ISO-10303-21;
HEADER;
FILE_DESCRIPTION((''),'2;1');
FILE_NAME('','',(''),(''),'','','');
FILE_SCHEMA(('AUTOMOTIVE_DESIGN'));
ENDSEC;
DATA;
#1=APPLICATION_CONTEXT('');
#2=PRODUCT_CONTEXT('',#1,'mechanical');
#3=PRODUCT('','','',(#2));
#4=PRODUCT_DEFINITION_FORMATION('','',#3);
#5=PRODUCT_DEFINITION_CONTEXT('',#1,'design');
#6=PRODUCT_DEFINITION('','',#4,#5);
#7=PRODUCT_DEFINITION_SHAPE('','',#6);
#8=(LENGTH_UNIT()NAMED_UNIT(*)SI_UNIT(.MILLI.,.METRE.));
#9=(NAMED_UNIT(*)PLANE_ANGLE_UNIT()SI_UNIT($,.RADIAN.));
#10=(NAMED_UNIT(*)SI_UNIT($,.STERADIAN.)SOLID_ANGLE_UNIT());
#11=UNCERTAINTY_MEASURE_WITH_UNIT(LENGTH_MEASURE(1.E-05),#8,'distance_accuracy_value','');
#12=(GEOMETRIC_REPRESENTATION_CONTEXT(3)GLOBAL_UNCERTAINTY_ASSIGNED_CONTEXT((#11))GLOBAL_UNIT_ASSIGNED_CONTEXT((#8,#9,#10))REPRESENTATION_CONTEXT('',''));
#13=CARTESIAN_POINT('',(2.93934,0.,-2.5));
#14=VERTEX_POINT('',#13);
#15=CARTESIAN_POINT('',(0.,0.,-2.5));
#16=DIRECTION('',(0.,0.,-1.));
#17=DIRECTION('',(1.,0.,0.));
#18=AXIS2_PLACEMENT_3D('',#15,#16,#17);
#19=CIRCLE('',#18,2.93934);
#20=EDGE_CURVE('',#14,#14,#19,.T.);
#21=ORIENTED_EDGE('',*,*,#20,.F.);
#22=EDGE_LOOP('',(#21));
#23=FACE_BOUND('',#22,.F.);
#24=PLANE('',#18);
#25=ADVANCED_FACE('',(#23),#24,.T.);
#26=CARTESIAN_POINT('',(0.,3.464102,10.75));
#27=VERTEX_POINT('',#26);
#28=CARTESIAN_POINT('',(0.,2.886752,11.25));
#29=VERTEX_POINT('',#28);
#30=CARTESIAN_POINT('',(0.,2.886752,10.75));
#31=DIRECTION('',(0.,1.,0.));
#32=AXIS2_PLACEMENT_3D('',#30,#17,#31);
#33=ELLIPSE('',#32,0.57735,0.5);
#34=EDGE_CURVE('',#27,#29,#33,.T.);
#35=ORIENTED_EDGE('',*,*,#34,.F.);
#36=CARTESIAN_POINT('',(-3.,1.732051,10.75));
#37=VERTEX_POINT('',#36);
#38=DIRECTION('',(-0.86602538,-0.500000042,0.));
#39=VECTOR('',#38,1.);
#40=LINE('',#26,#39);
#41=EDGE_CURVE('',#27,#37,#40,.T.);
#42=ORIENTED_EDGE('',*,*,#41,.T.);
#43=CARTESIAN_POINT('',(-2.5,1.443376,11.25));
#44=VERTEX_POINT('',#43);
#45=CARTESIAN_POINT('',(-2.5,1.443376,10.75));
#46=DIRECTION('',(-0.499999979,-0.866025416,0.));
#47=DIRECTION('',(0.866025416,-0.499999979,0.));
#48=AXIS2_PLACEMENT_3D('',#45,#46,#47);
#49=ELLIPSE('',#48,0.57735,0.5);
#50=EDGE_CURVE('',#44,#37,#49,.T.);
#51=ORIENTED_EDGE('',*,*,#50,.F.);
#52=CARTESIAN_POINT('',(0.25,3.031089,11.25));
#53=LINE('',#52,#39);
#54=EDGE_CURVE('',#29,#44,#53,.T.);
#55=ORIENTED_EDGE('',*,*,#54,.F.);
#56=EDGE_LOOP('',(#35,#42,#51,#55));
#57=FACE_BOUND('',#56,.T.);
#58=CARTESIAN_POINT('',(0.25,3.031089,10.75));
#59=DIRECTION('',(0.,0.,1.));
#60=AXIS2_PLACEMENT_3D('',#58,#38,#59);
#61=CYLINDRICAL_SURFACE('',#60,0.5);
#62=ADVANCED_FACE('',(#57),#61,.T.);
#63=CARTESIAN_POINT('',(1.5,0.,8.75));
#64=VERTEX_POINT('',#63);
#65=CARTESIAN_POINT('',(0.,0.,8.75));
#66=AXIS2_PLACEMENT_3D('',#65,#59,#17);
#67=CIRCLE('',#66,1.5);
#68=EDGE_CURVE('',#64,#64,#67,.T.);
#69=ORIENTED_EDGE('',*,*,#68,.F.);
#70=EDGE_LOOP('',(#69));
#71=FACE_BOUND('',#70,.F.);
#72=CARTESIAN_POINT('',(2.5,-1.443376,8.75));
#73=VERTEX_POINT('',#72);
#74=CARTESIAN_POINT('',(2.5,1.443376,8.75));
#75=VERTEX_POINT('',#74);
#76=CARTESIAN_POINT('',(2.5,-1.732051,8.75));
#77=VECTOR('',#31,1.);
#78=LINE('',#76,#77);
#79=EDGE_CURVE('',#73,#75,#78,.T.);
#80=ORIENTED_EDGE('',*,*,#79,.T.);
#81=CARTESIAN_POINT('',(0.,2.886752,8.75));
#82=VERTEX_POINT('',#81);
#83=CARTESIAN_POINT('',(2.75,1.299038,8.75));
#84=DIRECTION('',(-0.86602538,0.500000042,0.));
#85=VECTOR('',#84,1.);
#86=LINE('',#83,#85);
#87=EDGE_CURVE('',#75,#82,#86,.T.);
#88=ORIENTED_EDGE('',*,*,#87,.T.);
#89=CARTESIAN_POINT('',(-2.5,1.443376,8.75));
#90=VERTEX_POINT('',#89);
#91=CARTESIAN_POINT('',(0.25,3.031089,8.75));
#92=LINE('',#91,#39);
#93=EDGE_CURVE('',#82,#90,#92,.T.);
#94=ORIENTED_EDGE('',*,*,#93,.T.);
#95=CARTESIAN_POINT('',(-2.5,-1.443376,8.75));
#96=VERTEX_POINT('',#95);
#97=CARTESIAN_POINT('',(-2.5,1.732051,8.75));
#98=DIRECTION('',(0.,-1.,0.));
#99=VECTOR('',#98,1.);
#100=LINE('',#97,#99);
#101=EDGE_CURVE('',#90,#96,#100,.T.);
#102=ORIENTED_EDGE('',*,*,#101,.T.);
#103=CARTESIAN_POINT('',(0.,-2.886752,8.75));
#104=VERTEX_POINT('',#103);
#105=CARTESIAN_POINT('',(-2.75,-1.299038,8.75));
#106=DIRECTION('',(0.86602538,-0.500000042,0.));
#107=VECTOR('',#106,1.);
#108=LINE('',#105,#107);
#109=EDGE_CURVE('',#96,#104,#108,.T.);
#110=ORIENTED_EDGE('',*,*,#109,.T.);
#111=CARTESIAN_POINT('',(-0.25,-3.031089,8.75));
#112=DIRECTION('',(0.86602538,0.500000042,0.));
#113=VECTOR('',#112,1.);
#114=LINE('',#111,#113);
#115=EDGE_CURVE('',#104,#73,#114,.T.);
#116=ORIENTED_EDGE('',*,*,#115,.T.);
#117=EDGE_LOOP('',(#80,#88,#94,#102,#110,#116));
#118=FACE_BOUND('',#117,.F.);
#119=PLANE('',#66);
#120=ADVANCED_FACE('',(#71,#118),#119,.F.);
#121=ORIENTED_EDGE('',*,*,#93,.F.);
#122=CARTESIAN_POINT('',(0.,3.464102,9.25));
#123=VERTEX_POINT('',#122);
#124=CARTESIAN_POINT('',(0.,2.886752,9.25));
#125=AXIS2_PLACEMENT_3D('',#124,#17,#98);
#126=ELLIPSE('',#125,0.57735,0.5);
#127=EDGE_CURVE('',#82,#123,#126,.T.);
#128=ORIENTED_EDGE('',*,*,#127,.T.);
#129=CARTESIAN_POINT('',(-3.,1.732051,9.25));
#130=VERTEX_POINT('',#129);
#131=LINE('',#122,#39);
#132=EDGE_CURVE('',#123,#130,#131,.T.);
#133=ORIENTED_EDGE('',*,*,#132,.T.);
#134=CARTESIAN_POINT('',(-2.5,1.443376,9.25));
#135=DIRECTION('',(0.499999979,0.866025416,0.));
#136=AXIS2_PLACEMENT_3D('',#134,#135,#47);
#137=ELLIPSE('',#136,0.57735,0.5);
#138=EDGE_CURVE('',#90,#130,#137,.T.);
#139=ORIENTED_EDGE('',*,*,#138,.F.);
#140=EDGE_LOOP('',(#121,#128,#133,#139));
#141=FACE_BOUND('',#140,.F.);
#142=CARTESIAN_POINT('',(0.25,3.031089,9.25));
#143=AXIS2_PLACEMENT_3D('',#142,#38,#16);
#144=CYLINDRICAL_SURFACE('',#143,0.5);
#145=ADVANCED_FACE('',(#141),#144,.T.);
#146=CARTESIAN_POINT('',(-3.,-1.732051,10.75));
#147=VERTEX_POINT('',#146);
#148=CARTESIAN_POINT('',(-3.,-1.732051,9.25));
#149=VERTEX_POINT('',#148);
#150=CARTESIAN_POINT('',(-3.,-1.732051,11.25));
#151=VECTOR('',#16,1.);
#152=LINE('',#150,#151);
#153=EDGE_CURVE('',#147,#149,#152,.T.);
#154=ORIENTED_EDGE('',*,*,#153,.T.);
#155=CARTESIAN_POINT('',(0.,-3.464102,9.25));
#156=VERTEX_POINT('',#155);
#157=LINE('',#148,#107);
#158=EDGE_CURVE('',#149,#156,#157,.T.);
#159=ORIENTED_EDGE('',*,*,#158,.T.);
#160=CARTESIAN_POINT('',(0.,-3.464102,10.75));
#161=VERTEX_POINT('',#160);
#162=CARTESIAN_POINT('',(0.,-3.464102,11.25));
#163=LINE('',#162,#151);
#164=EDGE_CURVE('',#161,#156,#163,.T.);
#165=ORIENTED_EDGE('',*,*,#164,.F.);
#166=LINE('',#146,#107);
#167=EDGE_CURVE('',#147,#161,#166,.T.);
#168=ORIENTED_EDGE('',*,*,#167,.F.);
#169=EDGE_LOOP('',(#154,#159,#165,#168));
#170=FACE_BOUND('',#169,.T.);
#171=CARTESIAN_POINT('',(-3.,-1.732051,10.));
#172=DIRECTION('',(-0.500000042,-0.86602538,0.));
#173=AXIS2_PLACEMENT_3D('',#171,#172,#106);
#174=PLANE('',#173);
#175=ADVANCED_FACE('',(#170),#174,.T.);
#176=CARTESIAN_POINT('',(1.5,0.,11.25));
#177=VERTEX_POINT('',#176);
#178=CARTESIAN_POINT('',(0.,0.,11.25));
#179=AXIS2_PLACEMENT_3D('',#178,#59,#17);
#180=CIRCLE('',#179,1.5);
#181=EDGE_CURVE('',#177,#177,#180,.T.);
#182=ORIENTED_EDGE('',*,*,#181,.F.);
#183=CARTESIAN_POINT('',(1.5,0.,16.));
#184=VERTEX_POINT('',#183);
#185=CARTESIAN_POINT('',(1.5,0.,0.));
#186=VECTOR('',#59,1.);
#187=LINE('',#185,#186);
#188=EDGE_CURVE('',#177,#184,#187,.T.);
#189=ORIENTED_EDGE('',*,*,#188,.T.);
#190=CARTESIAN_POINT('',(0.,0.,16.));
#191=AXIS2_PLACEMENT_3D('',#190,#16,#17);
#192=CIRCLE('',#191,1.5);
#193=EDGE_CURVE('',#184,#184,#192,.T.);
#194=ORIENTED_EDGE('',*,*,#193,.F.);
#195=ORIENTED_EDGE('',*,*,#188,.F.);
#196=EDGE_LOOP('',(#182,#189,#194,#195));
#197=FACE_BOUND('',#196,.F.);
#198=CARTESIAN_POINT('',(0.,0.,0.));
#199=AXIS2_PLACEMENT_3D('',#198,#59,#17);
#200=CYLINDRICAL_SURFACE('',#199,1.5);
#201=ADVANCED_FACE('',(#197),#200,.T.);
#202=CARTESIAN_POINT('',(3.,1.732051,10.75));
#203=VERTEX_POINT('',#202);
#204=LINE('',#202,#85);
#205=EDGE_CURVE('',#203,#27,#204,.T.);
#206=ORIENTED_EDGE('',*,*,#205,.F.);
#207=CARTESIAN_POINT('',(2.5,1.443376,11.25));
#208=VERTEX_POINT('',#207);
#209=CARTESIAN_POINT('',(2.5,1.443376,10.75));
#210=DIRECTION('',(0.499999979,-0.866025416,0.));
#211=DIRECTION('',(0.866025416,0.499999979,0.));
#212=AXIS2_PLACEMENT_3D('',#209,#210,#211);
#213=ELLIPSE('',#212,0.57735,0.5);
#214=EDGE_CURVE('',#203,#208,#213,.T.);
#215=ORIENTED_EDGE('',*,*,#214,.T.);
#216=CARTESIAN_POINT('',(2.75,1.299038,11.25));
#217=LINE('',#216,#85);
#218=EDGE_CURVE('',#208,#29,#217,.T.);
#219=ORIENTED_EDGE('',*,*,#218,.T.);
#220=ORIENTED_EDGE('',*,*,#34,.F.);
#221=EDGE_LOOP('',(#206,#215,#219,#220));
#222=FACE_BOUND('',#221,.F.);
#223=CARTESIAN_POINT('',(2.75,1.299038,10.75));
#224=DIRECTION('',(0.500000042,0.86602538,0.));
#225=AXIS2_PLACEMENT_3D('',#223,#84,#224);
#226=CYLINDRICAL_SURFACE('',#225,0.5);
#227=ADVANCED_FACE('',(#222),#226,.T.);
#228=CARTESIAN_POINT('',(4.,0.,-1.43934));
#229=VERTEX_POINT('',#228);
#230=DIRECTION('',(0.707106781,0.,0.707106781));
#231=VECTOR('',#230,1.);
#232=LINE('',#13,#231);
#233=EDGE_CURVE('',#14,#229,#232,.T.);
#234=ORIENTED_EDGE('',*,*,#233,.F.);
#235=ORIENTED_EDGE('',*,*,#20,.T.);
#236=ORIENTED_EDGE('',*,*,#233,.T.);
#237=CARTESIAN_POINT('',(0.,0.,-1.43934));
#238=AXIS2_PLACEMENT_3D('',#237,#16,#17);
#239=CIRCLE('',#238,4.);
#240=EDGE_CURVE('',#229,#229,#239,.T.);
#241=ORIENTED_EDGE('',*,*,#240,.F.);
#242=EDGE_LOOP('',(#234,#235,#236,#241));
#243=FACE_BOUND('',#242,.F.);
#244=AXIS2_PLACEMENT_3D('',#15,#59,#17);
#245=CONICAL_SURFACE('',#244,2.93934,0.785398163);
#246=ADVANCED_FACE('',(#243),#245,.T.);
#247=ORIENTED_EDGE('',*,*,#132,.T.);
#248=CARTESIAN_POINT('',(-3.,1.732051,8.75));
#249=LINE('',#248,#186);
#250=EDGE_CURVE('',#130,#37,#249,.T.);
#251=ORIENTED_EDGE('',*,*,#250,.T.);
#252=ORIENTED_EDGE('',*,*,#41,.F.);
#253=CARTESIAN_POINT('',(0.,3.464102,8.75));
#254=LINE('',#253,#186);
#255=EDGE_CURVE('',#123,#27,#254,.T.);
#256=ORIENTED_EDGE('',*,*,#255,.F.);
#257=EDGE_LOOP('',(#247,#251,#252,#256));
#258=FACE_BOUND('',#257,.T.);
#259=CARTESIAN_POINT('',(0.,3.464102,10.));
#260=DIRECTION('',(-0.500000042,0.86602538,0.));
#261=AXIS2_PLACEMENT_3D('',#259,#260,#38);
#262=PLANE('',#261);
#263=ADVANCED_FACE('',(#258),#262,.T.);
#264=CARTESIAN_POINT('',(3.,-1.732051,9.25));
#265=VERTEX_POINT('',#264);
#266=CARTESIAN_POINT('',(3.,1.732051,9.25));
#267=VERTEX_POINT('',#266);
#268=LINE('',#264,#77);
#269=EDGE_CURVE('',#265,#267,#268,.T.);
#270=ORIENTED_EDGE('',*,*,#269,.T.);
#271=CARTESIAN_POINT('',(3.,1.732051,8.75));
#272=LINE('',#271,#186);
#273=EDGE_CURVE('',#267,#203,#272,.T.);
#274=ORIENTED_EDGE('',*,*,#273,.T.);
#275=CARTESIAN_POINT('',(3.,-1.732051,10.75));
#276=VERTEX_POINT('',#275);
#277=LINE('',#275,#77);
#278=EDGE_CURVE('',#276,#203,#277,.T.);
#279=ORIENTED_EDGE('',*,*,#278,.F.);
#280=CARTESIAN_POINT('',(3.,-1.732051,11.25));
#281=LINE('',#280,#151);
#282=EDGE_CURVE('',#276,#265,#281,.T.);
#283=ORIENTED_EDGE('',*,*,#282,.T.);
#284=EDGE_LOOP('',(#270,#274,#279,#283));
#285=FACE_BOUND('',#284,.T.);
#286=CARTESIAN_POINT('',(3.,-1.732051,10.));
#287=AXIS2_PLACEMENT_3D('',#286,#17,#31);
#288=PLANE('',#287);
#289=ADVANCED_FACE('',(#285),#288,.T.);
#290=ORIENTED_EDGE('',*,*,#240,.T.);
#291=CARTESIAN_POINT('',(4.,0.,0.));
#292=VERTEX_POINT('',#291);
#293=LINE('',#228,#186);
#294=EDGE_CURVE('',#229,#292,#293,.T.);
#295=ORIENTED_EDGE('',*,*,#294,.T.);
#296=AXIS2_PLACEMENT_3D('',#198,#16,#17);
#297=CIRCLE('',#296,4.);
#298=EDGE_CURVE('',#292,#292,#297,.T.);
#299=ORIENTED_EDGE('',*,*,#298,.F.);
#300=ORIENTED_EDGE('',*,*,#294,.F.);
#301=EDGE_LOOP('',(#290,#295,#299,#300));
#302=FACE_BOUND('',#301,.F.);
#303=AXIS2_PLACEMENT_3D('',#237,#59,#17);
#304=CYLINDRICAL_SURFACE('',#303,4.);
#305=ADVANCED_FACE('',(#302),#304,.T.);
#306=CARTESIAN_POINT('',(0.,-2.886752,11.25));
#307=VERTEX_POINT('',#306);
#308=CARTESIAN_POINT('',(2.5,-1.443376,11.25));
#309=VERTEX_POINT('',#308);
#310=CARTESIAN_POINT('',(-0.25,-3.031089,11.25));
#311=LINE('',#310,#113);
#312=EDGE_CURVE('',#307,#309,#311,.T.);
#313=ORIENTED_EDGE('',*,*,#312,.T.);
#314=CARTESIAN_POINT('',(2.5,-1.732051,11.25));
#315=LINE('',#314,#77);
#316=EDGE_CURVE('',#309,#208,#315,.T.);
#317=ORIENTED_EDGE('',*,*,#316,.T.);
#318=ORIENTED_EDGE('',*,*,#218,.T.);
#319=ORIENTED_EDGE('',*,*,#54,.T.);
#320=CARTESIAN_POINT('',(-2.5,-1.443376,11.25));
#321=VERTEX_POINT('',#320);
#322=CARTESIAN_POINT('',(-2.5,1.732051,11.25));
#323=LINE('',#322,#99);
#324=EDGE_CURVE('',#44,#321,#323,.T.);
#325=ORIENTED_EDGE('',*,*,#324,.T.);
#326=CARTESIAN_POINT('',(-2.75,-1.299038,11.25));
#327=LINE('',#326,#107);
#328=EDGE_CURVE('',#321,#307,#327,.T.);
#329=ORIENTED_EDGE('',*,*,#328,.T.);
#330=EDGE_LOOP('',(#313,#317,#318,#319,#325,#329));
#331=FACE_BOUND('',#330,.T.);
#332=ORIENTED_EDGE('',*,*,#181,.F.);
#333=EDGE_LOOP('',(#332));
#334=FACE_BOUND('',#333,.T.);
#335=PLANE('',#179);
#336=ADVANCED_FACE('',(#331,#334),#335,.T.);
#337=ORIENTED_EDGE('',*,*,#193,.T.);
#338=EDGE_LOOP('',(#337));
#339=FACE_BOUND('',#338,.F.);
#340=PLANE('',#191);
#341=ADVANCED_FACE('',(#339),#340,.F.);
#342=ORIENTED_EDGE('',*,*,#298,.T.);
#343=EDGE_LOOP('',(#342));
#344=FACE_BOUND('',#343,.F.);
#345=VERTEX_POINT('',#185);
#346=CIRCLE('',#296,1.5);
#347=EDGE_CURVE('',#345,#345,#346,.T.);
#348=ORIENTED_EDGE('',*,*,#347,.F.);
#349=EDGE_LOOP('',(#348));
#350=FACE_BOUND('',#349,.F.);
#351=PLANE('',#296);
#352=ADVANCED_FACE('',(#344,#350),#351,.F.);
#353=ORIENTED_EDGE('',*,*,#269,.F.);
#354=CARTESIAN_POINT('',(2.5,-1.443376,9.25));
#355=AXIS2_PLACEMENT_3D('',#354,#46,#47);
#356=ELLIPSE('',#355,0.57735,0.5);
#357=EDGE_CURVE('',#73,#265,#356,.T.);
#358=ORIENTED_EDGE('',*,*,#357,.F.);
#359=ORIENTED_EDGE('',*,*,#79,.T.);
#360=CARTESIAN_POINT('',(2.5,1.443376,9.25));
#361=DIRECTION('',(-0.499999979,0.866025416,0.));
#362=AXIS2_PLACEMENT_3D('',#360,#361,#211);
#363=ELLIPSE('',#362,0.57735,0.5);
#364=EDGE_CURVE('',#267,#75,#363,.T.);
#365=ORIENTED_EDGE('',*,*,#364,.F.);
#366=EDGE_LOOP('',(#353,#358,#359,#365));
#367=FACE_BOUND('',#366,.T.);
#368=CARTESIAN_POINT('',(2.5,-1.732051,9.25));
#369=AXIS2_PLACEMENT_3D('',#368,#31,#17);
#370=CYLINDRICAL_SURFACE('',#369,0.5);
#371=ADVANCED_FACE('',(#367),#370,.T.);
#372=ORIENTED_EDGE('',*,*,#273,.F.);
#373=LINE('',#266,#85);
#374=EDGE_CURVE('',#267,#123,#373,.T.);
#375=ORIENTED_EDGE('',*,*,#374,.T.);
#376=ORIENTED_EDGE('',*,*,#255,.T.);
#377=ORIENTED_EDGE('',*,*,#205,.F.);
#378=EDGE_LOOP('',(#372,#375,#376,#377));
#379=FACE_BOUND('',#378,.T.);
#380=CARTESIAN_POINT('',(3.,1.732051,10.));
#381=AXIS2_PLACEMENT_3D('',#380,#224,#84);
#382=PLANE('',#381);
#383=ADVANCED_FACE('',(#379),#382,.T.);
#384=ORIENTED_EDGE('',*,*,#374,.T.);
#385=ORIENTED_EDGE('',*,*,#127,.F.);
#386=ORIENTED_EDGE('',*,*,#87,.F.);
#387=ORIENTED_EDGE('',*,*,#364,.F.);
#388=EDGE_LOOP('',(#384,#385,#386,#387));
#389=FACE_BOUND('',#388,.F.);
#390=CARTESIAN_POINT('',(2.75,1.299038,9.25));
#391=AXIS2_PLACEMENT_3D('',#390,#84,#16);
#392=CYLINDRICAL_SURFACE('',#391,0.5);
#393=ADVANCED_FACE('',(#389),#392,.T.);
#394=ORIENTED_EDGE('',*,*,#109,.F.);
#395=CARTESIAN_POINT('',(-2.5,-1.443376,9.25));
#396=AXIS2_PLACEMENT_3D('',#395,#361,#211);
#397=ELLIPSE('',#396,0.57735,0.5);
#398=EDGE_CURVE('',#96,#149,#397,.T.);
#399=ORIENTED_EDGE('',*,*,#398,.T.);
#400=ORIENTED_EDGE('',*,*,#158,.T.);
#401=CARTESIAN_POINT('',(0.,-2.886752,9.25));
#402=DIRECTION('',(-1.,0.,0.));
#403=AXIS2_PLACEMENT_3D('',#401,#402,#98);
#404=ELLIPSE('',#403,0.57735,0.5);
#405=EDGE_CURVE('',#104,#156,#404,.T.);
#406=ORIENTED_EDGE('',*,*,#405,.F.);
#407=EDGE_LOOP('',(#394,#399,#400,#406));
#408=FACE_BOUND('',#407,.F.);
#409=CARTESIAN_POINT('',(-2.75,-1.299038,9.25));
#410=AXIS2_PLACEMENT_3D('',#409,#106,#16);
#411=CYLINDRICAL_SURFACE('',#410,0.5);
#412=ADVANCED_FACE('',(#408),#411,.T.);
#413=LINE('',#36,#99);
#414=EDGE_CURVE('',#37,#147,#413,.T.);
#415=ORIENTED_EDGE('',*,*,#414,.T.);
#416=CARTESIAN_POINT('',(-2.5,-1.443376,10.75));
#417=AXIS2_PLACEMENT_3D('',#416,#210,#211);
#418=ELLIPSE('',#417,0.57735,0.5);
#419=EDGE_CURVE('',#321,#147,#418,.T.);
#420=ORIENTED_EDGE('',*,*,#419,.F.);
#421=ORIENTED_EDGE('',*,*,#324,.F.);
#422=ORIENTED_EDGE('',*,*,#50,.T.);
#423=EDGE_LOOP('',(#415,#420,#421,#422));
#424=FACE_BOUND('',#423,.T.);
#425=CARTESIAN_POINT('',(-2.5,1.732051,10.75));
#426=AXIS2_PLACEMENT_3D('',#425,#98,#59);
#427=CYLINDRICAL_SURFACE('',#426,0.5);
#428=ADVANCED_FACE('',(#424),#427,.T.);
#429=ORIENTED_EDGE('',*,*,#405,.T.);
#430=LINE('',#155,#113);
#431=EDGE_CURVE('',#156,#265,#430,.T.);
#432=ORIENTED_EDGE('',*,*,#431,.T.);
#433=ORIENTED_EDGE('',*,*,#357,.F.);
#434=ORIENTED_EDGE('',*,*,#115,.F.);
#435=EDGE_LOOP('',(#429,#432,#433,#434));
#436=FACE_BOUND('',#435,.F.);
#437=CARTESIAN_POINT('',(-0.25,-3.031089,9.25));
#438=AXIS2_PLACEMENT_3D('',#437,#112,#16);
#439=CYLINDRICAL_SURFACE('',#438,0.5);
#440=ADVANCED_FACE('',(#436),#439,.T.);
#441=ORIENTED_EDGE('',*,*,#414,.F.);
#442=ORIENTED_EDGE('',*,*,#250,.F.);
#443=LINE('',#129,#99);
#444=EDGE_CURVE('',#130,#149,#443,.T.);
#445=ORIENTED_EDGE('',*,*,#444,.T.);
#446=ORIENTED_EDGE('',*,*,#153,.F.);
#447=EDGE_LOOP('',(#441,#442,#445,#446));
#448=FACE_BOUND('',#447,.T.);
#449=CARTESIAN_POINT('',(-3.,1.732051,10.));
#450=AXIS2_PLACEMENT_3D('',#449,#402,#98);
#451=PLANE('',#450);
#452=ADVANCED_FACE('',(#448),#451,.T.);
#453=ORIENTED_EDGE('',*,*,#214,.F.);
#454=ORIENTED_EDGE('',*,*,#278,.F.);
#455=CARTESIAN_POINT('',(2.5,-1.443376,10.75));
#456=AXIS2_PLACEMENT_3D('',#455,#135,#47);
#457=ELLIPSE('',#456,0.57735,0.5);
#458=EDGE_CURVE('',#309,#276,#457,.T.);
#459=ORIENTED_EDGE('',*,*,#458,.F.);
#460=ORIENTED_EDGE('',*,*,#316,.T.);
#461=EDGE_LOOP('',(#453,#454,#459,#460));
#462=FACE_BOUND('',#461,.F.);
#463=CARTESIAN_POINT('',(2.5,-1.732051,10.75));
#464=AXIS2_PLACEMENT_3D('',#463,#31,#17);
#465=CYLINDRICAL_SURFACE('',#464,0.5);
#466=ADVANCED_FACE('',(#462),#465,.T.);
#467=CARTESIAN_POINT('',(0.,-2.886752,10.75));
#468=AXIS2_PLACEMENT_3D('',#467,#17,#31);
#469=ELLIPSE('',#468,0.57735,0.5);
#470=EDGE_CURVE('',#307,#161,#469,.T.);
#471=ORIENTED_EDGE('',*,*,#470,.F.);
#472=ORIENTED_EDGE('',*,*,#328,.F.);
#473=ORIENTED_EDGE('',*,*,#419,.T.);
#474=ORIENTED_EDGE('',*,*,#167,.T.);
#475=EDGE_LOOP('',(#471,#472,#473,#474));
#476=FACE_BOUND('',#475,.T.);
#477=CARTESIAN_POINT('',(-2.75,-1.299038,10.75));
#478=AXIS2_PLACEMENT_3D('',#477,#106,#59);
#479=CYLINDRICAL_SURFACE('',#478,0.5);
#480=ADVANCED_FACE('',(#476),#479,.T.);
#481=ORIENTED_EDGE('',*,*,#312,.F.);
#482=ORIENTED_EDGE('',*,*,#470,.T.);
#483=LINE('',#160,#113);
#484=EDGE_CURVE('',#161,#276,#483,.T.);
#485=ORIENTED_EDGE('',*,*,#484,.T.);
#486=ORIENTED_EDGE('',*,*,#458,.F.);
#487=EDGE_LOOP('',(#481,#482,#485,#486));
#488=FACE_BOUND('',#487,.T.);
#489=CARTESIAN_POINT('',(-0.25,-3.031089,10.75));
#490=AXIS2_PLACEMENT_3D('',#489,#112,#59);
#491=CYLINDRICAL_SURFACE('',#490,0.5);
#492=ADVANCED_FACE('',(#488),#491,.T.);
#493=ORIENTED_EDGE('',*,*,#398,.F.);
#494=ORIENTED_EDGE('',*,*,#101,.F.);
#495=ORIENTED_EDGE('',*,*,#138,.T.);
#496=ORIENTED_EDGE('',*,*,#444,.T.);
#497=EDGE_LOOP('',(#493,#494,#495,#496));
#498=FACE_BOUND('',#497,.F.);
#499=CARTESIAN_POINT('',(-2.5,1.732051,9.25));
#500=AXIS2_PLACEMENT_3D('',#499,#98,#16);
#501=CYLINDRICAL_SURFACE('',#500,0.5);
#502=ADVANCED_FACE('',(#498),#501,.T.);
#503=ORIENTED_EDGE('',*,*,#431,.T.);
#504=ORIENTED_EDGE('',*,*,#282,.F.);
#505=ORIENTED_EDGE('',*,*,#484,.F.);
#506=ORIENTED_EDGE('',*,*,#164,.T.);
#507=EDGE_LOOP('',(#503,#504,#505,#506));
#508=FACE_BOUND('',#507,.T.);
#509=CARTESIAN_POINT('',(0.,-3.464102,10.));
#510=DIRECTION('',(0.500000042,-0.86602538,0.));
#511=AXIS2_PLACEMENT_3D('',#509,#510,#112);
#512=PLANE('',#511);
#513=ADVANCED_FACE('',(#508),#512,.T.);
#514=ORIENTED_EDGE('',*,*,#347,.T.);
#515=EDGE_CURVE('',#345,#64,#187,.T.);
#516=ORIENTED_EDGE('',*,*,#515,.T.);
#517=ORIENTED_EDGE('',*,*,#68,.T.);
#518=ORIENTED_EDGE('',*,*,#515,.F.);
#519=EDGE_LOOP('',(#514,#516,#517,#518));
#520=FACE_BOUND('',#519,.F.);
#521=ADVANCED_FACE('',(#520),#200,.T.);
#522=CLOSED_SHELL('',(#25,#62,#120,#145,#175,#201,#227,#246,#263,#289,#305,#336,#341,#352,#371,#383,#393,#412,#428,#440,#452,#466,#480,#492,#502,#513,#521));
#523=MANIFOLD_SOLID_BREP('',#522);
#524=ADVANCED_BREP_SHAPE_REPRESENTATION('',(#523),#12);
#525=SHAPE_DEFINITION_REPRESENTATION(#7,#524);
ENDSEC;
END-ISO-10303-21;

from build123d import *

# Parameters (mm, degrees)
F4_DEPTH = 1.25
F5_R     = 0.5


with BuildPart() as f1:
    # F0 (on Front) → F1 (revolve)
    with BuildSketch(Plane.XZ):
        Polygon((1.5, 16), (0, 16), (0, -2.5), (2.93934, -2.5), (4, -1.43934), (4, 0), (1.5, 0), align=None)
    revolve(axis=Axis((0, 0, 6.75), (0, 0, -1)))

    # F3 (on offset) → F4 (join, symmetric)
    with BuildSketch(Plane.XY.offset(10)):
        Polygon((3, -1.732051), (3, 1.732051), (0, 3.464102), (-3, 1.732051), (-3, -1.732051), (0, -3.464102), align=None)
    extrude(amount=F4_DEPTH, both=True)

    # F5
    f5_edges = [f1.edges().sort_by_distance(p)[0] for p in [
        (1.5, -2.598076, 11.25),
        (3, 0, 11.25),
        (1.5, 2.598076, 11.25),
        (-1.5, -2.598076, 11.25),
        (-3, 0, 11.25),
        (-1.5, 2.598076, 11.25),
        (-1.5, -2.598076, 8.75),
        (1.5, -2.598076, 8.75),
        (3, 0, 8.75),
        (-3, 0, 8.75),
        (-1.5, 2.598076, 8.75),
        (1.5, 2.598076, 8.75),
    ]]
    fillet(f5_edges, radius=F5_R)


solid = f1.part
